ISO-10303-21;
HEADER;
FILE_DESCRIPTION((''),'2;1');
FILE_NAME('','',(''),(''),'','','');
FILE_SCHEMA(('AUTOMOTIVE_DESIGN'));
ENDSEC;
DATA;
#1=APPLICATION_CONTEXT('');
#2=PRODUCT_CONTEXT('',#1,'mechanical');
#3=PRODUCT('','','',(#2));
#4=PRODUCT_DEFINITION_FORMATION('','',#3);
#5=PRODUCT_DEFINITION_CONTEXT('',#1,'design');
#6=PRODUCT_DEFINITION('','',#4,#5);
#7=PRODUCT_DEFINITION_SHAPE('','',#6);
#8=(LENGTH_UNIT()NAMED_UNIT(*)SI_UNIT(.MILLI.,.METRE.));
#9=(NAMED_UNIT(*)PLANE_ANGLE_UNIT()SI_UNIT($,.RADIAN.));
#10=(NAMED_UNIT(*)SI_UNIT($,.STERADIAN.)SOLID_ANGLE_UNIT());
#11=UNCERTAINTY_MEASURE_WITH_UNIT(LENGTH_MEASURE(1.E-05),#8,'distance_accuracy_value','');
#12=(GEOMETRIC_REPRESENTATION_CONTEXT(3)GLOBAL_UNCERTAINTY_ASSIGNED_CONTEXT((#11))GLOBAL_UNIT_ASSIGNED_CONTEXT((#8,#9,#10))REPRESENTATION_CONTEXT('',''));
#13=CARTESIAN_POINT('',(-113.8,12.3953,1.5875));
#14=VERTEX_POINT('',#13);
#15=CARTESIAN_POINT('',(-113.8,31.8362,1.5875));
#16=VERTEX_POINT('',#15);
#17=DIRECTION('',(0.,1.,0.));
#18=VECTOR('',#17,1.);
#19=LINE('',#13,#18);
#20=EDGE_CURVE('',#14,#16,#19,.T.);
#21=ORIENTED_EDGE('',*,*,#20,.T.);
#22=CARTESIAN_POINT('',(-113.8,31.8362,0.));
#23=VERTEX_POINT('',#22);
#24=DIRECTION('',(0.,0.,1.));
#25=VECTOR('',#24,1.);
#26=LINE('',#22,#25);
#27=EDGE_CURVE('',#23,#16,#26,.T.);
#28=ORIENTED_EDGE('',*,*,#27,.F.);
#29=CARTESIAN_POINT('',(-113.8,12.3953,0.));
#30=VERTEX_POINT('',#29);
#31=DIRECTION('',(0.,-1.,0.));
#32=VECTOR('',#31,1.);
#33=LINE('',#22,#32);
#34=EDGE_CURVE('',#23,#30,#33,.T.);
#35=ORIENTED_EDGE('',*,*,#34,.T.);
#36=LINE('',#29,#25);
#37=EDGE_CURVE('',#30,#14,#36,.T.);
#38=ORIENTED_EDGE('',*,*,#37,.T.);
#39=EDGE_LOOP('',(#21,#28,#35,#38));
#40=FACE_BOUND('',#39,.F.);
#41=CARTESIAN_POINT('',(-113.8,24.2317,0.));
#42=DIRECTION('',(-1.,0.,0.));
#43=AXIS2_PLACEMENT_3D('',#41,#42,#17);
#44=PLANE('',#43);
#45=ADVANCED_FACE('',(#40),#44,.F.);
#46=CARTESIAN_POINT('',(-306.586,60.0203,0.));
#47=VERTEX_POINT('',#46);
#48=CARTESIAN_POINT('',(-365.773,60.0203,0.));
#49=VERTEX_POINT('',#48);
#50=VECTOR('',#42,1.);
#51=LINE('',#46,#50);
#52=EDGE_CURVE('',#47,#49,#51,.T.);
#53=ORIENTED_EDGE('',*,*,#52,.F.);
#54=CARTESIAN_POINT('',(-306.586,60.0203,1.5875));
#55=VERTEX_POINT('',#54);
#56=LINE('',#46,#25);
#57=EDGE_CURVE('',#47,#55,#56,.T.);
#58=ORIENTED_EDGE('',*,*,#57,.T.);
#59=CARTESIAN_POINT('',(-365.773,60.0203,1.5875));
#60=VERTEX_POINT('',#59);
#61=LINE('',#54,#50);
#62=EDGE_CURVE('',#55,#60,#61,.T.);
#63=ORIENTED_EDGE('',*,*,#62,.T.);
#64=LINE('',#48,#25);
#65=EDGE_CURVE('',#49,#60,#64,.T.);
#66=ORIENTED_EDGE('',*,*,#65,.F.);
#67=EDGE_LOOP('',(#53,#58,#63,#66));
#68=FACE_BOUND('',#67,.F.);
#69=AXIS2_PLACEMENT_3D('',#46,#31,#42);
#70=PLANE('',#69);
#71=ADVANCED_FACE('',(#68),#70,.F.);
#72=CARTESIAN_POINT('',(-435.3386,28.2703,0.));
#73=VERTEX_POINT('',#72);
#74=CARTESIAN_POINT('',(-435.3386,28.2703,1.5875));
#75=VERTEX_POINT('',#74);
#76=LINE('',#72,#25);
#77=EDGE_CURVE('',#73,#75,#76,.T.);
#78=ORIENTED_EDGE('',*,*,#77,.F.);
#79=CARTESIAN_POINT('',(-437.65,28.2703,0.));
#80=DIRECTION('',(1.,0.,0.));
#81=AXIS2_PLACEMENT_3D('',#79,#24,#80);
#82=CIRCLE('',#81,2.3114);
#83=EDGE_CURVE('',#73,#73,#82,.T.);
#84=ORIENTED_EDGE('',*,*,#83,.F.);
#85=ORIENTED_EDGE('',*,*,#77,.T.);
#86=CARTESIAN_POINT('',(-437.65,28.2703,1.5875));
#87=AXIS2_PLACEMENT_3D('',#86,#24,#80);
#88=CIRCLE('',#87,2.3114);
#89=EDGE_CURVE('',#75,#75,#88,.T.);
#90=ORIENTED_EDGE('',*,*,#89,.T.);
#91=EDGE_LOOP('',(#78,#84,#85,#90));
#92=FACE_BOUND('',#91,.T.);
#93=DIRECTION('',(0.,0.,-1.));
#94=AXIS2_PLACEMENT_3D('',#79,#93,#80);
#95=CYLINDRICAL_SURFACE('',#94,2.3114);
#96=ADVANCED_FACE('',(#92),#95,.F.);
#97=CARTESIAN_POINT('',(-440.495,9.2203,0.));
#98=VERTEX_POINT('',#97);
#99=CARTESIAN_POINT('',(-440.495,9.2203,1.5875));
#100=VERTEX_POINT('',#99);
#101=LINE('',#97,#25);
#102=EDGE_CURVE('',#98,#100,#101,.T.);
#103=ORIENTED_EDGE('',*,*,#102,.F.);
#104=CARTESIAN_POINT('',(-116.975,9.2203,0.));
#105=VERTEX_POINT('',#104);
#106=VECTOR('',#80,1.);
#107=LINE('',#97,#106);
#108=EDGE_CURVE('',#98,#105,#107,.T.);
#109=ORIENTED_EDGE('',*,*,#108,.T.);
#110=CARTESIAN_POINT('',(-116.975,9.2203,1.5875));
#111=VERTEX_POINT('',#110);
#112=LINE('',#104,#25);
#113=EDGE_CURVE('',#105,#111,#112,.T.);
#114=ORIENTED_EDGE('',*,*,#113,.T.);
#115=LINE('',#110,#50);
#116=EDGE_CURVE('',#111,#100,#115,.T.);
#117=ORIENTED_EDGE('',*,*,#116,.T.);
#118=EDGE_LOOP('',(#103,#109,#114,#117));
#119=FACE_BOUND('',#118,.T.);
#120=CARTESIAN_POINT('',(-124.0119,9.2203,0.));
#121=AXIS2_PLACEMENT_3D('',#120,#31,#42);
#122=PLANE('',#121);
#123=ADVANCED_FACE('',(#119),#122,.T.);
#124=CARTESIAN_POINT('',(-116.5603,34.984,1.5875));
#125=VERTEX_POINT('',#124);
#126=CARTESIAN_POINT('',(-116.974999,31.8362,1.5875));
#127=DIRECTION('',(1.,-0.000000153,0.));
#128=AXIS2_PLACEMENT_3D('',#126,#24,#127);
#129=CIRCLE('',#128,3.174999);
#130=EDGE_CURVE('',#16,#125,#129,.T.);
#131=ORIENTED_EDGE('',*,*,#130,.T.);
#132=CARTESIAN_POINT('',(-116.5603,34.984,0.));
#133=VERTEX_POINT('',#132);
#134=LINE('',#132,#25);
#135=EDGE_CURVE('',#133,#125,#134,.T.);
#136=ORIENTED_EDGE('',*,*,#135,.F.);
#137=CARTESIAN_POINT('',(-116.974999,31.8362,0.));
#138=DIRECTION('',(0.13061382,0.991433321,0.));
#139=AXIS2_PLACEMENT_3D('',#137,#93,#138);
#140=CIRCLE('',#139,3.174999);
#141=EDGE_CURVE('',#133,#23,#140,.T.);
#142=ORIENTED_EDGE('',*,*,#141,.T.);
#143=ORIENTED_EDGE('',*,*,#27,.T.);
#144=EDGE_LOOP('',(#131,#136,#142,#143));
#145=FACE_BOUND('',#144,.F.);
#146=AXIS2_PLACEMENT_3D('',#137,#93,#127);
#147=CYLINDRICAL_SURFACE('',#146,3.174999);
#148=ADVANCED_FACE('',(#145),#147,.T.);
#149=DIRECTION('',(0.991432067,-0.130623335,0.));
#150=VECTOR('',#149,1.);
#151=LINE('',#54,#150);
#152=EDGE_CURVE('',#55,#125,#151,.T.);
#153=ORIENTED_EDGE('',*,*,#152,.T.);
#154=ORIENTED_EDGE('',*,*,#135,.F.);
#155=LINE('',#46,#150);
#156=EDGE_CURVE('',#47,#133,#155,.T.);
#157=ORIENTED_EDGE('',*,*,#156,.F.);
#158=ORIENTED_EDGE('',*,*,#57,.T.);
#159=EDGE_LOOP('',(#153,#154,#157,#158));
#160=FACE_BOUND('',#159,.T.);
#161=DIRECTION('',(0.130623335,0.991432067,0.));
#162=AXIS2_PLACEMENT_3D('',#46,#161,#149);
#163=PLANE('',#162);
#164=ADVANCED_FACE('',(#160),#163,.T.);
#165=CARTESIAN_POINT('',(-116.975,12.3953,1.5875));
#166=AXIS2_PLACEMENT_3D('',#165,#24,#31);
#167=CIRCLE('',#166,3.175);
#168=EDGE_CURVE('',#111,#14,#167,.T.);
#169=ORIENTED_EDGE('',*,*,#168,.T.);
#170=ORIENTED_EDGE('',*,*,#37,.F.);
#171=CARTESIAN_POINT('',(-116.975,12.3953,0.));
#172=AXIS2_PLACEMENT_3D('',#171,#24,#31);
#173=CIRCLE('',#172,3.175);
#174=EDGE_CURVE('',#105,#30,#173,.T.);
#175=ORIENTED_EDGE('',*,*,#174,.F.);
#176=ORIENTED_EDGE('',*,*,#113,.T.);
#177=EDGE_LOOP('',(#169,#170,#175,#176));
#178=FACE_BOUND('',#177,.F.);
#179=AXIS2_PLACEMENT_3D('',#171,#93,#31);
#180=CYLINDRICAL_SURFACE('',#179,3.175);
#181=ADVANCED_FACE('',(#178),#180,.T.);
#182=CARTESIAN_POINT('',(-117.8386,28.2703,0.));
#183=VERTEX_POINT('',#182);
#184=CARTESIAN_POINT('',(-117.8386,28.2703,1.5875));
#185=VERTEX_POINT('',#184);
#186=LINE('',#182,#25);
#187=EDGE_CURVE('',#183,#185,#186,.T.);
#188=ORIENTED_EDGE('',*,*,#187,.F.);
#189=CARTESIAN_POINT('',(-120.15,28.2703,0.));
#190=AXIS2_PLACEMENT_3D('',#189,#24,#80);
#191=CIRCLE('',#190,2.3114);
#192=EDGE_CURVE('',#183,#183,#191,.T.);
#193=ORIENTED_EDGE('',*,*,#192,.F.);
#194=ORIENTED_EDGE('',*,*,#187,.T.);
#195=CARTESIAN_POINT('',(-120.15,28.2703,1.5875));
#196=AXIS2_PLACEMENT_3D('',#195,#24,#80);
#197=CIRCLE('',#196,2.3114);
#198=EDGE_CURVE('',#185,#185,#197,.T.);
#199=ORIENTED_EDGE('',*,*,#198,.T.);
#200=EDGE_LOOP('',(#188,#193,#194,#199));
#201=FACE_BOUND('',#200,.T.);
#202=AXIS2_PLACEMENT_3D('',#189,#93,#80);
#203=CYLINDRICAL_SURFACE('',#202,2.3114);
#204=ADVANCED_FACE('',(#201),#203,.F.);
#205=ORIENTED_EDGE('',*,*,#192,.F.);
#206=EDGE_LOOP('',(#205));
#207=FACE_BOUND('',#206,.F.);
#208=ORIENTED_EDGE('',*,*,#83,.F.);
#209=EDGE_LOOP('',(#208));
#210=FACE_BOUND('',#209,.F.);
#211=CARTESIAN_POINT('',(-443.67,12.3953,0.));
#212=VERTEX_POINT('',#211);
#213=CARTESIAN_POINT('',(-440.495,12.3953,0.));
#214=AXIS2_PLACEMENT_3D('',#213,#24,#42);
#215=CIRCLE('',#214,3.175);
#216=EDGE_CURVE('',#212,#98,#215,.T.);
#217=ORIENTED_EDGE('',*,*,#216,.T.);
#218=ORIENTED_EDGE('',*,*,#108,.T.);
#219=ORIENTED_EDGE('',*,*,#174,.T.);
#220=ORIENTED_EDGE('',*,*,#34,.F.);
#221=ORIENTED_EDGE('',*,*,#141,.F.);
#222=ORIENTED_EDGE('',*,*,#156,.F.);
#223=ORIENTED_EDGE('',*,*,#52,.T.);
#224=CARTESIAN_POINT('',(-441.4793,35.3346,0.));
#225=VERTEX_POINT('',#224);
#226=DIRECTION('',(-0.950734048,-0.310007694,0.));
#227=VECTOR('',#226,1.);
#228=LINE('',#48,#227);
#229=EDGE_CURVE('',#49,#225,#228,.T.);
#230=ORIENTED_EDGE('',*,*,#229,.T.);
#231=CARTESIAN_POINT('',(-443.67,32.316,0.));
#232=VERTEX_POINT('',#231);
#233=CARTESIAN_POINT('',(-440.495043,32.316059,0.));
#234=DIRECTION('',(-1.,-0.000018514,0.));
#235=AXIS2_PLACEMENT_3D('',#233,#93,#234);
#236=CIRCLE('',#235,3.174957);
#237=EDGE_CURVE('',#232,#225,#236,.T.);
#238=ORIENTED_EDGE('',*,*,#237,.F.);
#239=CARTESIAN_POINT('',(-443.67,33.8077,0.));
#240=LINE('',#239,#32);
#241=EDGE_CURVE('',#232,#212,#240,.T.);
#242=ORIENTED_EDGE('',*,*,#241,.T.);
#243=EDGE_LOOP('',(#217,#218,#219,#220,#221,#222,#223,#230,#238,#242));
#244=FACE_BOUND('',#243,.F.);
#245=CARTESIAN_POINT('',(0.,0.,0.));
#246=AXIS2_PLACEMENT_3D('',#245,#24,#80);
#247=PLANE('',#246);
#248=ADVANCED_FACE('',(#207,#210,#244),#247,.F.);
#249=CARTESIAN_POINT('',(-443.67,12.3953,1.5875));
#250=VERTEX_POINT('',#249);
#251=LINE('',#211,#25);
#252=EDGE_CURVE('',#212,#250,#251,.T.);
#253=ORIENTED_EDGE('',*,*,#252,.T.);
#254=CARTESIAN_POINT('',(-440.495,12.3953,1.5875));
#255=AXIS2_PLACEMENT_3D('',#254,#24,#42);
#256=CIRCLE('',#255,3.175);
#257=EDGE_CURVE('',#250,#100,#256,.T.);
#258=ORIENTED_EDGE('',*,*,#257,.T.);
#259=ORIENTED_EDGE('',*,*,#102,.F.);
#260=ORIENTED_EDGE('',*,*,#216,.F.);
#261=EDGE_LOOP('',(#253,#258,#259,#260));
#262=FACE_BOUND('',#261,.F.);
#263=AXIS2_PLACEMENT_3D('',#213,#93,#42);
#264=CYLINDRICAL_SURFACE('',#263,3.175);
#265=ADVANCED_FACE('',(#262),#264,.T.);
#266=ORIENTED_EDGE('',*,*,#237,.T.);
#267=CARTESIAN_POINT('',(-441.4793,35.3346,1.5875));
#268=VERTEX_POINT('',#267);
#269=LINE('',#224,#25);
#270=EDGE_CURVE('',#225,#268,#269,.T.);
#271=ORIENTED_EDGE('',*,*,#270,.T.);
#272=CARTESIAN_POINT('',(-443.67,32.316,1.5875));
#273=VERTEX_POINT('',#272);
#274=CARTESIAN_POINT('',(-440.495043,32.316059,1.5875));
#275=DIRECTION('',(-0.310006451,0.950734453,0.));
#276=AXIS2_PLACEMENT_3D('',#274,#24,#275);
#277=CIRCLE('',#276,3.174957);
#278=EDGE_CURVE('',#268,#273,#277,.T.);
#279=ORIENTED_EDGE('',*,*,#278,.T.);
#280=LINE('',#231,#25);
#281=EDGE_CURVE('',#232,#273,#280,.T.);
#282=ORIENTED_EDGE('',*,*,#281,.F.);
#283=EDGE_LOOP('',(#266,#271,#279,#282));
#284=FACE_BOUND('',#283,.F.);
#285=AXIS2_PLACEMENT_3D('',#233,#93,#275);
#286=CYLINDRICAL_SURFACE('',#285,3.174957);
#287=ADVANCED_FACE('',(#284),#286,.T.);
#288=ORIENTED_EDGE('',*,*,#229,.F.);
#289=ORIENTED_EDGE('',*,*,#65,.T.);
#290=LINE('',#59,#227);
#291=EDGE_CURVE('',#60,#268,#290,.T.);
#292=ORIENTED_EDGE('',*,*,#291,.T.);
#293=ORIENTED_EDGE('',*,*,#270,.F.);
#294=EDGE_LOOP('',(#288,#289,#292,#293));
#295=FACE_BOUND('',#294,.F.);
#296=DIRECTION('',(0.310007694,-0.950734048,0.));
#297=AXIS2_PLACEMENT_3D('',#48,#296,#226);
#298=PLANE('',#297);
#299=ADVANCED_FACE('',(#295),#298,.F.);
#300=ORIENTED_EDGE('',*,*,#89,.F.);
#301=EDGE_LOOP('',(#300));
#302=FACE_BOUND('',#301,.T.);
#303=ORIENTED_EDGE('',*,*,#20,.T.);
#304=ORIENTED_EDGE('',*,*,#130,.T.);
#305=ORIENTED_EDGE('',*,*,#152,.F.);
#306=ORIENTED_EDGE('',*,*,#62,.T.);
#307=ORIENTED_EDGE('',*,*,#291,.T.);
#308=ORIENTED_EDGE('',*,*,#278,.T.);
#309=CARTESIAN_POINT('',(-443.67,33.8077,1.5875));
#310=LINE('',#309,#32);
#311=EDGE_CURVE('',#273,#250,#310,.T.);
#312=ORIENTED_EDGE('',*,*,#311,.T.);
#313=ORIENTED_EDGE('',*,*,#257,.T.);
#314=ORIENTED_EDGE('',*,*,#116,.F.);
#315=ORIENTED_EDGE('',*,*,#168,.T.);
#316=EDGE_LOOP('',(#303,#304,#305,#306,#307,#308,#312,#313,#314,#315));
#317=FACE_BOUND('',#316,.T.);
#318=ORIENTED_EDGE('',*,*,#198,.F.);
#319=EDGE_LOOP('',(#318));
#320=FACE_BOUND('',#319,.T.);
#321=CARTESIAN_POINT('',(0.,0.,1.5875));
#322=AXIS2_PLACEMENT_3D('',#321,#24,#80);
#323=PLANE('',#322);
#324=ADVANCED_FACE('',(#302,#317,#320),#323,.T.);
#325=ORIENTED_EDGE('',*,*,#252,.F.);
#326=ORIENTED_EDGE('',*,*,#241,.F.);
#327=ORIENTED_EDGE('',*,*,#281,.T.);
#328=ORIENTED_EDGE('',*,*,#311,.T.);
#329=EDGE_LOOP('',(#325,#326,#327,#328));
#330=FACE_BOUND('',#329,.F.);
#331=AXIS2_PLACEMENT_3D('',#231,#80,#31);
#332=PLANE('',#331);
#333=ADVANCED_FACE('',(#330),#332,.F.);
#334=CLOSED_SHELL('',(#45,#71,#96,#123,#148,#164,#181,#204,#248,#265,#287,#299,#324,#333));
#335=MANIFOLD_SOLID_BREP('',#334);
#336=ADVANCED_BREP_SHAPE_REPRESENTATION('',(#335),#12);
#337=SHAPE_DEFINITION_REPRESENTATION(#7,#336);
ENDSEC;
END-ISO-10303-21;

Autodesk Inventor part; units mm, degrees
ref_plane "YZ Plane" through (0, 0, 0) normal (1, 0, 0) x (0, 1, 0)
ref_plane "XZ Plane" through (0, 0, 0) normal (0, 1, 0) x (-1, 0, 0)
ref_plane "XY Plane" through (0, 0, 0) normal (0, 0, 1) x (1, 0, 0)
sketch "Sketch1" plane through (0, 0, 0) normal (0, 0, 1) x (1, 0, 0)
  circle A0 centre (-120.15, 28.2703) radius 2.3114 projected
  circle A1 centre (-437.65, 28.2703) radius 2.3114 projected
  line L0 (-124.0119, 9.2203) -> (-113.8, 9.2203) projected
  line L1 (-113.8, 24.2317) -> (-113.8, 32.2073) projected
  line L2 (-443.67, 33.8077) -> (-443.67, 0.5333) projected
  line L3 (-382.9881, 34.6203) -> (-441.5119, 34.6203) projected
  line L4 (-443.67, 34.6203) -> (-113.8, 34.6203)
  line L5 (-113.8, 31.8362) -> (-113.8, 12.3953)
  line L6 (-116.975, 9.2203) -> (-440.495, 9.2203)
  line L7 (-443.67, 12.3953) -> (-443.67, 32.316)
  arc A2 (-116.975, 9.2203) -> (-113.8, 12.3953) centre (-116.975, 12.3953) ccw
  circle A3 centre (-361.45, 54.8387) radius 2.3114 projected
  line L8 (-306.586, 60.0203) -> (-365.773, 60.0203) projected
  line L9 (-365.773, 60.0203) -> (-441.4793, 35.3346)
  line L10 (-306.586, 60.0203) -> (-116.5603, 34.984)
  arc A4 (-443.67, 12.3953) -> (-440.495, 9.2203) centre (-440.495, 12.3953) ccw
  arc A5 (-441.4793, 35.3346) -> (-443.67, 32.316) centre (-440.495, 32.316) ccw
  arc A6 (-113.8, 31.8362) -> (-116.5603, 34.984) centre (-116.975, 31.8362) ccw
  line L11 (-306.586, 60.0203) -> (-365.773, 60.0203)
  point P0 (0, 0)
  dimension "d0" = 3.175
  dimension "d1" = 3.175
extrude "Extrusion1" add sketch "Sketch1" along normal blind 1.5875
sketch "Sketch2" plane through (0, 0, 1.5875) normal (0, 0, 1) x (1, 0, 0)
  circle A0 centre (-361.45, 54.8387) radius 2.3114 projected
  circle A1 centre (-361.45, 54.8387) radius 2.3114
  point P0 (0, 0)
extrude "Extrusion2" add sketch "Sketch2" against normal blind 1.5875
properties part number "panel"
